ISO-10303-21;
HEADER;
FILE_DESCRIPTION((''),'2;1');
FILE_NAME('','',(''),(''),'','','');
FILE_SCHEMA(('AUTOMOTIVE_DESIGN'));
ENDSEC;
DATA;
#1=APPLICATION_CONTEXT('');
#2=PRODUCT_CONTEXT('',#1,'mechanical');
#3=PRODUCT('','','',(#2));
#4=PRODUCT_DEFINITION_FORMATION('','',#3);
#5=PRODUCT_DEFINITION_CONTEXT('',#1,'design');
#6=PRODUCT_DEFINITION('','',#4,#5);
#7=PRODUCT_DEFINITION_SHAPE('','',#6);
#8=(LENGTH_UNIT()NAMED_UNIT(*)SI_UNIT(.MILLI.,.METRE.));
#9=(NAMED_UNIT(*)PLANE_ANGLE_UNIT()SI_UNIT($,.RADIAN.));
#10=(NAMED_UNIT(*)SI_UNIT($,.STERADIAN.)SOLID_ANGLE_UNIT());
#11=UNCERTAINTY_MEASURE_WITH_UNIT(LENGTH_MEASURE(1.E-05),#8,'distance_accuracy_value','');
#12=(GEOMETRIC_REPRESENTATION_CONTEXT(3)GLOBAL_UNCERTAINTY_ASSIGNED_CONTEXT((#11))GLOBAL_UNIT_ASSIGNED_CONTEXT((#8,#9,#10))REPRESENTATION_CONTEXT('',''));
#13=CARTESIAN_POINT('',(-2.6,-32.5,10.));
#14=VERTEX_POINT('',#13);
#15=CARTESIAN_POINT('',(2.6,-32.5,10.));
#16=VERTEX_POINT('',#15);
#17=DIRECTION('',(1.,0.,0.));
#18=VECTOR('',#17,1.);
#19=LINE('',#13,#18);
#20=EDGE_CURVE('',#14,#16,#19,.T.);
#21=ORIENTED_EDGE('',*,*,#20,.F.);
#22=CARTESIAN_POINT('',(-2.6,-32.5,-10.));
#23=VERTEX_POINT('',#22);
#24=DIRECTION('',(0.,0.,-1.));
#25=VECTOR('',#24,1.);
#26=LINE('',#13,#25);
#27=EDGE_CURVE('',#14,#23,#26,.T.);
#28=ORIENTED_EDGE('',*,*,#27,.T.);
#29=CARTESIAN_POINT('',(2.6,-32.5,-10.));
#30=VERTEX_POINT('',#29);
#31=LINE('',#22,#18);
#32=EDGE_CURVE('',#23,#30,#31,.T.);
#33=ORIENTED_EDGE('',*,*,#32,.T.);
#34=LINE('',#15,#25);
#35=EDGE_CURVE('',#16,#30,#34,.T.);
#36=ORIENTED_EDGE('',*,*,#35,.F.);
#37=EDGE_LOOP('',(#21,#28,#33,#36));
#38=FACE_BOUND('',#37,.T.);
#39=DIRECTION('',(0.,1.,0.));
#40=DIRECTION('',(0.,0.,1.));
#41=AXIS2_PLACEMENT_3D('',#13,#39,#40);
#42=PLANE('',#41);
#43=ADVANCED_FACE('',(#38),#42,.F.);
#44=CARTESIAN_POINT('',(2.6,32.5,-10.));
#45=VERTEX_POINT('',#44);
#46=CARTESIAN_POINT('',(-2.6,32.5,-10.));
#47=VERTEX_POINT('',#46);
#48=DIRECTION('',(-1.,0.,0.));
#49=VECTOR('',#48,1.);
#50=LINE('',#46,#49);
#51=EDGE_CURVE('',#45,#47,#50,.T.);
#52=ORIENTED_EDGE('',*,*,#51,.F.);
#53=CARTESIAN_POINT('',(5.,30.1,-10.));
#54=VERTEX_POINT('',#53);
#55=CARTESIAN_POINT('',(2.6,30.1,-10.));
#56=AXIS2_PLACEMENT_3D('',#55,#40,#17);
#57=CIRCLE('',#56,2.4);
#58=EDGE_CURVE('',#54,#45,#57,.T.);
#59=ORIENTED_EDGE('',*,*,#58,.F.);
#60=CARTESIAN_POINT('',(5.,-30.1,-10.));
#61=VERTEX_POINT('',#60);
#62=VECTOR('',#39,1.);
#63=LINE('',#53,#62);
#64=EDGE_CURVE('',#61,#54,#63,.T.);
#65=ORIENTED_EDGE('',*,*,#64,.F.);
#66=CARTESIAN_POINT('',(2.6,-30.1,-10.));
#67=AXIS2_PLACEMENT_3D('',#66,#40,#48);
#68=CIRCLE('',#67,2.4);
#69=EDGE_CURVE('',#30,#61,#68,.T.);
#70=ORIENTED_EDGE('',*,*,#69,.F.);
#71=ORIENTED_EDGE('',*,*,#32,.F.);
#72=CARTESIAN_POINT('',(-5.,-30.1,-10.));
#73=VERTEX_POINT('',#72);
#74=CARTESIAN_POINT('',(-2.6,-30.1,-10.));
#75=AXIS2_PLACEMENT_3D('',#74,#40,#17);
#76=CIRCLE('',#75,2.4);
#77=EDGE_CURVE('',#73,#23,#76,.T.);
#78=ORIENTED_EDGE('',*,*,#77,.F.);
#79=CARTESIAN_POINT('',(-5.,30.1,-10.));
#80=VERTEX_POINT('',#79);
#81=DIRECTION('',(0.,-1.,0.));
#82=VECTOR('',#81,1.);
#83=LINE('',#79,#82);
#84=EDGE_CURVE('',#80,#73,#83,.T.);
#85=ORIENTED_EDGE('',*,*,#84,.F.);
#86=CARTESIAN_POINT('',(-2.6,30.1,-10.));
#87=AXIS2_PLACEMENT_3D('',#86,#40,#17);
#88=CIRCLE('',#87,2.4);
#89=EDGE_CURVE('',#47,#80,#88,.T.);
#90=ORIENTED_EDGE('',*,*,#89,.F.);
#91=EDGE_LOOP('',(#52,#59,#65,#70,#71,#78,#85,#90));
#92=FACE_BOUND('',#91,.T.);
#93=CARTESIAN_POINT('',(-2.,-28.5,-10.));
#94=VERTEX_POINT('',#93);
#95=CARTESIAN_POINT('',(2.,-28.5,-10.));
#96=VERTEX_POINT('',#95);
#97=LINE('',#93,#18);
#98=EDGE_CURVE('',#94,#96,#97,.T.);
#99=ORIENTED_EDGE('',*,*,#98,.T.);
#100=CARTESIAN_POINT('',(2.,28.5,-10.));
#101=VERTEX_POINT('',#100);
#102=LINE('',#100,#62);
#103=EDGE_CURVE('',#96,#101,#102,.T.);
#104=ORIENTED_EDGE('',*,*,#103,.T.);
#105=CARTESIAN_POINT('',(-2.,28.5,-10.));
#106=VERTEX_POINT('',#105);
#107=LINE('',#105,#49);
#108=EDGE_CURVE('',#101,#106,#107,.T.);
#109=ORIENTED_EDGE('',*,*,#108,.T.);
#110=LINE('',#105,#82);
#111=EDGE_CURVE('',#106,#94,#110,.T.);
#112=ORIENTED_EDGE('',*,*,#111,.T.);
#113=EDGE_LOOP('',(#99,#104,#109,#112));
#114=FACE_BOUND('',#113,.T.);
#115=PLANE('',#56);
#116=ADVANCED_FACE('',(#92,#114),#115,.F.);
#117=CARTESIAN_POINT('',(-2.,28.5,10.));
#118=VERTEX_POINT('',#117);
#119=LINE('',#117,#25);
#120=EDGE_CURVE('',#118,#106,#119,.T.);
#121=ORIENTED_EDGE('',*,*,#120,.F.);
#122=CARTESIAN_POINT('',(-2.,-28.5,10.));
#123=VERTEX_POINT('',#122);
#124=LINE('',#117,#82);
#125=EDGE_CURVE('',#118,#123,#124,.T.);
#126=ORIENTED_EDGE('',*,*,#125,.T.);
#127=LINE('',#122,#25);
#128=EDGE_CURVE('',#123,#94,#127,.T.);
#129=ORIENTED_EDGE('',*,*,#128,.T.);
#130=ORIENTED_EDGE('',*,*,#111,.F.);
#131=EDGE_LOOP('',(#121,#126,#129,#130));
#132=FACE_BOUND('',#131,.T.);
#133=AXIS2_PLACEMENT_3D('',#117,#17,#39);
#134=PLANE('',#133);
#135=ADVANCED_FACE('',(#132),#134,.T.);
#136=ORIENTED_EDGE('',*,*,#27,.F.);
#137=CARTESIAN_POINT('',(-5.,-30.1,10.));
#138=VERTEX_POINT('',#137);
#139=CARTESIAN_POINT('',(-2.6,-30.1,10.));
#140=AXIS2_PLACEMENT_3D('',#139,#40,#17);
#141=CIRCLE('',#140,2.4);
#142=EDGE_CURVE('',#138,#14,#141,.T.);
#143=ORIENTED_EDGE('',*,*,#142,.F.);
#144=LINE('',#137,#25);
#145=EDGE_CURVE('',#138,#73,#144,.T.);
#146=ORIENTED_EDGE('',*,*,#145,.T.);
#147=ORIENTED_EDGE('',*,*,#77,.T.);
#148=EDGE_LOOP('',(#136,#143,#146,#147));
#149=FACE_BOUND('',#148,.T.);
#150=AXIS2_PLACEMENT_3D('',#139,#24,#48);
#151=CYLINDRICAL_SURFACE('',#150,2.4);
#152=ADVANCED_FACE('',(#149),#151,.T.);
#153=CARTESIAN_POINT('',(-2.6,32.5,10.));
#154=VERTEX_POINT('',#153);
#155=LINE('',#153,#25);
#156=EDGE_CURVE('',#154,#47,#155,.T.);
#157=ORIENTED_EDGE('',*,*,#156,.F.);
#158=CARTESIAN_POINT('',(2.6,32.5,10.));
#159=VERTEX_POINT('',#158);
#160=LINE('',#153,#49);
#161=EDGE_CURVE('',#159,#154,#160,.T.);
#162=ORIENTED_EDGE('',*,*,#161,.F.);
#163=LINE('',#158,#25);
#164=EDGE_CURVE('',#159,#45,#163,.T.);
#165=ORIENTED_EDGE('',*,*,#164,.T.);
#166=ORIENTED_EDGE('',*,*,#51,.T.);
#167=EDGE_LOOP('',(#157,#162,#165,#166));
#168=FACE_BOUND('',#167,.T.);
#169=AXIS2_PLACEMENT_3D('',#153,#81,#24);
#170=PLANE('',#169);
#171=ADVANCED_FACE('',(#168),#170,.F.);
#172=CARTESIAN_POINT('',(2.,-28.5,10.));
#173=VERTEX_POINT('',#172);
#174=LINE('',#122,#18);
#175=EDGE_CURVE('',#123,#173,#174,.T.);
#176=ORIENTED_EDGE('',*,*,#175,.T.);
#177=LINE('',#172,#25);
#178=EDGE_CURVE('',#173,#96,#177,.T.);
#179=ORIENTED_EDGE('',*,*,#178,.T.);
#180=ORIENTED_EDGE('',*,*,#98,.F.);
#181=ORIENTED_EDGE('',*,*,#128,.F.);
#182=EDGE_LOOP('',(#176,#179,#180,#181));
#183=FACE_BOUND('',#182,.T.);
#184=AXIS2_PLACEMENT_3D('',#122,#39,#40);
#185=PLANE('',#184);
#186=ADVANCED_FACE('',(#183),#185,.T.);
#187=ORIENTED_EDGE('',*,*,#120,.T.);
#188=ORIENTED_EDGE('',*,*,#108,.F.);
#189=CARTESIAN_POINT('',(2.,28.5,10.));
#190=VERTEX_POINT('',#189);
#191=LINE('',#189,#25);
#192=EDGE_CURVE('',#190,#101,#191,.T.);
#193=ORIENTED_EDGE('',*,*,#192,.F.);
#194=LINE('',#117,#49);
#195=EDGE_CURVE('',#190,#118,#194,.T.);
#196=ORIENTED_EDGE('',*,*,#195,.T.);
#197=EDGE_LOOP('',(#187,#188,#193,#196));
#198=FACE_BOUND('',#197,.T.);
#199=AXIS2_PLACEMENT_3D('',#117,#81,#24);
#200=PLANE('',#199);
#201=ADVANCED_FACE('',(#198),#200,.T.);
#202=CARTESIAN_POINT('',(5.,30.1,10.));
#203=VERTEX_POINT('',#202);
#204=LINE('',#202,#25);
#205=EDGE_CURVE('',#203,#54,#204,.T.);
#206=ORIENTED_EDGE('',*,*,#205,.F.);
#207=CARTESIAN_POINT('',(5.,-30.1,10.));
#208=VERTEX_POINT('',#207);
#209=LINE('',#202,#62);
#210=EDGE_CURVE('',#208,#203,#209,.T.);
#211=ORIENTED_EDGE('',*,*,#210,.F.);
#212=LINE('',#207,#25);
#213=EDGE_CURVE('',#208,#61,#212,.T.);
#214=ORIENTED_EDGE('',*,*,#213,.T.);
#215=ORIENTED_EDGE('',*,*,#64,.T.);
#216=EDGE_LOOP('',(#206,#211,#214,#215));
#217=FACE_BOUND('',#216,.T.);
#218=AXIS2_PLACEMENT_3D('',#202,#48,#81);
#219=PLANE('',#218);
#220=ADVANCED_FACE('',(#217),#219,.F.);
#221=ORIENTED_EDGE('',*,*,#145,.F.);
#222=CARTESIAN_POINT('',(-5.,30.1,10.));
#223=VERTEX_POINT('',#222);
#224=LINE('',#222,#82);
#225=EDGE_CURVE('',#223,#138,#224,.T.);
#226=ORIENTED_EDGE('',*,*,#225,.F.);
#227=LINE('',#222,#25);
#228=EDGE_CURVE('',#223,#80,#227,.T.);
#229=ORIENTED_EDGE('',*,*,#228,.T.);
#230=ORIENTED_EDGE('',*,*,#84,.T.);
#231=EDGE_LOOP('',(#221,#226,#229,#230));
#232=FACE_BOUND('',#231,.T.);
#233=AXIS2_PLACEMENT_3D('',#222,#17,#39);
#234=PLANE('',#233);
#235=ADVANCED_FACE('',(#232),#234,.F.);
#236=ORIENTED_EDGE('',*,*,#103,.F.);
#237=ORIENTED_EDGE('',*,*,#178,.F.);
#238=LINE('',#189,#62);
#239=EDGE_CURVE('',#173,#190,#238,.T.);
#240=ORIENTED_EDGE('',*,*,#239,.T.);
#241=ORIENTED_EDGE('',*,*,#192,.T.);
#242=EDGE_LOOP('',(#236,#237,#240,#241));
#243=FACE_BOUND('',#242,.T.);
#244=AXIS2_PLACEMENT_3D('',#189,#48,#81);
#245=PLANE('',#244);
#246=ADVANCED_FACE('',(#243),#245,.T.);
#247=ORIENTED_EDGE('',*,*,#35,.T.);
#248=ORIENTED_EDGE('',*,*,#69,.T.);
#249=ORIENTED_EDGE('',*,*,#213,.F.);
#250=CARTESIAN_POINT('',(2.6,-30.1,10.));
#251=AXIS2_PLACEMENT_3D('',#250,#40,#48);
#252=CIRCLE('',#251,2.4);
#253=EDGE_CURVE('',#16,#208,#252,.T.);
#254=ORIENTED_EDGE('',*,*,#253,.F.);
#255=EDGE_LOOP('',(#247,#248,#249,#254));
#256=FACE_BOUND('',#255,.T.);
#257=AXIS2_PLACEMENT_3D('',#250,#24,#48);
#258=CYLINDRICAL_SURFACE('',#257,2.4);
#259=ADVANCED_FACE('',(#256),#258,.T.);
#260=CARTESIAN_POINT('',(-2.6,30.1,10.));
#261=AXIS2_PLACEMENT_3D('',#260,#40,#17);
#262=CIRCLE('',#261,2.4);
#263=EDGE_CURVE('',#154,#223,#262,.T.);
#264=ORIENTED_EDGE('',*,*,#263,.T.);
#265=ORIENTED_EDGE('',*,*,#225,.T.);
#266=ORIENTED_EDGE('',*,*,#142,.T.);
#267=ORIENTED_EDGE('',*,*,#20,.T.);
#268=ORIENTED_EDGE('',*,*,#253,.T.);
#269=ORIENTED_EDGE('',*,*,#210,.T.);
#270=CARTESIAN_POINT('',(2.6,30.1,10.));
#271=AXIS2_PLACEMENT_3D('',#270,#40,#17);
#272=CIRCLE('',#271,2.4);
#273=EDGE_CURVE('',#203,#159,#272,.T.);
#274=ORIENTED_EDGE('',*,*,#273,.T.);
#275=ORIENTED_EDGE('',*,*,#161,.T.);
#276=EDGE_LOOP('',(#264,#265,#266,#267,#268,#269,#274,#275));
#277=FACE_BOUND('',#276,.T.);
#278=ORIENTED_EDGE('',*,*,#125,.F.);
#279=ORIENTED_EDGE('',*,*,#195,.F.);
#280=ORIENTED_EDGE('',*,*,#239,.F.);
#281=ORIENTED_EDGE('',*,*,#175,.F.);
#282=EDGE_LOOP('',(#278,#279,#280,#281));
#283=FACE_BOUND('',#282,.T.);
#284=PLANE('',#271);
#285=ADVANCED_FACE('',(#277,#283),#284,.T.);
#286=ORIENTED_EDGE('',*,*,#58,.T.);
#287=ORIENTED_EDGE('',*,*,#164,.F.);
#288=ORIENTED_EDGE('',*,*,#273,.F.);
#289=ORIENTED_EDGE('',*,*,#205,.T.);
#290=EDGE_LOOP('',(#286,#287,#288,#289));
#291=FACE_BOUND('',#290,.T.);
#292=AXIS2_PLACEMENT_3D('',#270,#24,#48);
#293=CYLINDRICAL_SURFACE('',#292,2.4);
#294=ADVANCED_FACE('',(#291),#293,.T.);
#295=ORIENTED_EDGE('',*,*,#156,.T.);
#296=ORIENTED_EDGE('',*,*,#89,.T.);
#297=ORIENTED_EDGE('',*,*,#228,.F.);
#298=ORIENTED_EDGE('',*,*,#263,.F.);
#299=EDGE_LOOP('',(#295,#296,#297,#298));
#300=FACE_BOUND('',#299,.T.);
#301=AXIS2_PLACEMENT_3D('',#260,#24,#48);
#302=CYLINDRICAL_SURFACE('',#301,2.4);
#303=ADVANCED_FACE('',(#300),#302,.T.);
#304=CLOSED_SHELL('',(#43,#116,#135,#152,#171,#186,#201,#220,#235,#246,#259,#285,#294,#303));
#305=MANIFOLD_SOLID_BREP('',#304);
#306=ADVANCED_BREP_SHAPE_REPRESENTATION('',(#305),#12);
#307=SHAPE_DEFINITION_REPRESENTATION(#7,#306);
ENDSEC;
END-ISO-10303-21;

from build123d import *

# Parameters (mm, degrees)
SKETCH1_W           = 4
SKETCH1_H           = 57
BOSS_EXTRUDE1_DEPTH = 10


with BuildPart() as part:
    # Sketch1 → Boss-Extrude1 (new, symmetric)
    with BuildSketch(Plane.XY):
        with BuildLine():
            Line((-2.6, 32.5), (2.6, 32.5))
            ThreePointArc((2.6, 32.5), (4.297056275, 31.797056275), (5, 30.1))
            Line((5, 30.1), (5, -30.1))
            ThreePointArc((5, -30.1), (4.297056275, -31.797056275), (2.6, -32.5))
            Line((2.6, -32.5), (-2.6, -32.5))
            ThreePointArc((-2.6, -32.5), (-4.297056275, -31.797056275), (-5, -30.1))
            Line((-5, -30.1), (-5, 30.1))
            ThreePointArc((-5, 30.1), (-4.297056275, 31.797056275), (-2.6, 32.5))
        make_face()
        Rectangle(SKETCH1_W, SKETCH1_H, mode=Mode.SUBTRACT)
    extrude(amount=BOSS_EXTRUDE1_DEPTH, both=True)


solid = part.part
